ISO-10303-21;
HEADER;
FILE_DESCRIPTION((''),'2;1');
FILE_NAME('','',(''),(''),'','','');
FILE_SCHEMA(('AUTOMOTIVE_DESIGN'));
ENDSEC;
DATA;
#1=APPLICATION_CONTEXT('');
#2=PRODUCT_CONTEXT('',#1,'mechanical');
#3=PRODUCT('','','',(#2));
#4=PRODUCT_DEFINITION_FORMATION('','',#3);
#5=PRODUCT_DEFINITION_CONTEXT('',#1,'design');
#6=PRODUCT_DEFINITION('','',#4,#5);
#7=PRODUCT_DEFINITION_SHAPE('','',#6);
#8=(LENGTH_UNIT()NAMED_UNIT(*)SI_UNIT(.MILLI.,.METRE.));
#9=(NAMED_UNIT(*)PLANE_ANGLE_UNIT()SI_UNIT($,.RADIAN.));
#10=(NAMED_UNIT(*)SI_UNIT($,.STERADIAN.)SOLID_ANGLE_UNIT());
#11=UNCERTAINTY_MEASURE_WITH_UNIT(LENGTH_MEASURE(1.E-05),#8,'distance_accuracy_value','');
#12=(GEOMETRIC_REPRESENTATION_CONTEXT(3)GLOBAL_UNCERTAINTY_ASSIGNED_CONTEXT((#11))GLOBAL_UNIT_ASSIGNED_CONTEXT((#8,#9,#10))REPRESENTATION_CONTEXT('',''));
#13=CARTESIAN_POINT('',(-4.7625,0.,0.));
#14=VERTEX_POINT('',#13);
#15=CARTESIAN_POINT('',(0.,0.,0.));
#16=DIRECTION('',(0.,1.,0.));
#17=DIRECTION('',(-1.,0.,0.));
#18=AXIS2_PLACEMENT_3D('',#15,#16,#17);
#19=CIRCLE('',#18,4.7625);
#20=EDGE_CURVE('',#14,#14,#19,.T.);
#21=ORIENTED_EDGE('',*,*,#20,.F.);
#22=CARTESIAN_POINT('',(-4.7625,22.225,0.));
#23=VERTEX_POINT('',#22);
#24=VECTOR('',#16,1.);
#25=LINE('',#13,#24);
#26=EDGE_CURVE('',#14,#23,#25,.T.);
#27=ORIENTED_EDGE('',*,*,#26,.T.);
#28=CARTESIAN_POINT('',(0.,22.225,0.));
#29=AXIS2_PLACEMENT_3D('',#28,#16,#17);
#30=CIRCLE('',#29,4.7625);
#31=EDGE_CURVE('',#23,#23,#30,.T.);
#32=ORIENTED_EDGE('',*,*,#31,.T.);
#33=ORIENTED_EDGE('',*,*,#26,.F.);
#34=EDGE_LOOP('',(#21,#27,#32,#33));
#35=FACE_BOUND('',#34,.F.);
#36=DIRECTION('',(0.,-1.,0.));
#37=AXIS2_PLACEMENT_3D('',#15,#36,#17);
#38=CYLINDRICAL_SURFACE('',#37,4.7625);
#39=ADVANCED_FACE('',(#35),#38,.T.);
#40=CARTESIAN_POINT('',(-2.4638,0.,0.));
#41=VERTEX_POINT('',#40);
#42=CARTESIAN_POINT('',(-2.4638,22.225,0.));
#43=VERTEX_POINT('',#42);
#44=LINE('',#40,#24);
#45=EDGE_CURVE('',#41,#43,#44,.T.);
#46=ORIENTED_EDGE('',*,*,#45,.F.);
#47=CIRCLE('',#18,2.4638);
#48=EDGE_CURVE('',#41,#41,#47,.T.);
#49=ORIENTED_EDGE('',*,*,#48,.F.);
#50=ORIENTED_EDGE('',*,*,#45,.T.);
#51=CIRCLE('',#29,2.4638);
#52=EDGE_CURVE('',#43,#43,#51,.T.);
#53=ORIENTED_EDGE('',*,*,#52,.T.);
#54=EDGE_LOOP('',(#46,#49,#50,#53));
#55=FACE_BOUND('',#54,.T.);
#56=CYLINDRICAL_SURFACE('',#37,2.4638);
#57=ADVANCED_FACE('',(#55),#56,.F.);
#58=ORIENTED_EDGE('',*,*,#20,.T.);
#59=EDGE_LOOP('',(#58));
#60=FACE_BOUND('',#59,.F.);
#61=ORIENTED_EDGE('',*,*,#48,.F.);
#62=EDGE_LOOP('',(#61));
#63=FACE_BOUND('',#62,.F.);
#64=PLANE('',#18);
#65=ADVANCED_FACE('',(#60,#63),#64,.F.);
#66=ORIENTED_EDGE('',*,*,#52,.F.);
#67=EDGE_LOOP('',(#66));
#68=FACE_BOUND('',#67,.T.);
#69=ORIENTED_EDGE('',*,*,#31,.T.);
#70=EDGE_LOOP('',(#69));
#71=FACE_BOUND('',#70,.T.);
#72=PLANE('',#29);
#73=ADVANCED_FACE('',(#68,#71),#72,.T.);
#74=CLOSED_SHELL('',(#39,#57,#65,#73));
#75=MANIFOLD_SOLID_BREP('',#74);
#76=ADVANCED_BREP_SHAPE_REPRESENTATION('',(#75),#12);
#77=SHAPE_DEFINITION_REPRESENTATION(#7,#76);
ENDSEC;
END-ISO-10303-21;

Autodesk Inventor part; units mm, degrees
ref_plane "YZ Plane" through (0, 0, 0) normal (1, 0, 0) x (0, 1, 0)
ref_plane "XZ Plane" through (0, 0, 0) normal (0, 1, 0) x (-1, 0, 0)
ref_plane "XY Plane" through (0, 0, 0) normal (0, 0, 1) x (1, 0, 0)
sketch "Sketch1" plane through (0, 0, 0) normal (0, 1, 0) x (-1, 0, 0)
  circle A0 centre (0, 0) radius 2.4638
  circle A1 centre (0, 0) radius 4.7625
  dimension "d0" = 4.9276
  dimension "d1" = 9.525
extrude "Extrusion1" add sketch "Sketch1" along normal blind 22.225
properties part number ".875 in Grey Spacer" material "Nylon 6"
